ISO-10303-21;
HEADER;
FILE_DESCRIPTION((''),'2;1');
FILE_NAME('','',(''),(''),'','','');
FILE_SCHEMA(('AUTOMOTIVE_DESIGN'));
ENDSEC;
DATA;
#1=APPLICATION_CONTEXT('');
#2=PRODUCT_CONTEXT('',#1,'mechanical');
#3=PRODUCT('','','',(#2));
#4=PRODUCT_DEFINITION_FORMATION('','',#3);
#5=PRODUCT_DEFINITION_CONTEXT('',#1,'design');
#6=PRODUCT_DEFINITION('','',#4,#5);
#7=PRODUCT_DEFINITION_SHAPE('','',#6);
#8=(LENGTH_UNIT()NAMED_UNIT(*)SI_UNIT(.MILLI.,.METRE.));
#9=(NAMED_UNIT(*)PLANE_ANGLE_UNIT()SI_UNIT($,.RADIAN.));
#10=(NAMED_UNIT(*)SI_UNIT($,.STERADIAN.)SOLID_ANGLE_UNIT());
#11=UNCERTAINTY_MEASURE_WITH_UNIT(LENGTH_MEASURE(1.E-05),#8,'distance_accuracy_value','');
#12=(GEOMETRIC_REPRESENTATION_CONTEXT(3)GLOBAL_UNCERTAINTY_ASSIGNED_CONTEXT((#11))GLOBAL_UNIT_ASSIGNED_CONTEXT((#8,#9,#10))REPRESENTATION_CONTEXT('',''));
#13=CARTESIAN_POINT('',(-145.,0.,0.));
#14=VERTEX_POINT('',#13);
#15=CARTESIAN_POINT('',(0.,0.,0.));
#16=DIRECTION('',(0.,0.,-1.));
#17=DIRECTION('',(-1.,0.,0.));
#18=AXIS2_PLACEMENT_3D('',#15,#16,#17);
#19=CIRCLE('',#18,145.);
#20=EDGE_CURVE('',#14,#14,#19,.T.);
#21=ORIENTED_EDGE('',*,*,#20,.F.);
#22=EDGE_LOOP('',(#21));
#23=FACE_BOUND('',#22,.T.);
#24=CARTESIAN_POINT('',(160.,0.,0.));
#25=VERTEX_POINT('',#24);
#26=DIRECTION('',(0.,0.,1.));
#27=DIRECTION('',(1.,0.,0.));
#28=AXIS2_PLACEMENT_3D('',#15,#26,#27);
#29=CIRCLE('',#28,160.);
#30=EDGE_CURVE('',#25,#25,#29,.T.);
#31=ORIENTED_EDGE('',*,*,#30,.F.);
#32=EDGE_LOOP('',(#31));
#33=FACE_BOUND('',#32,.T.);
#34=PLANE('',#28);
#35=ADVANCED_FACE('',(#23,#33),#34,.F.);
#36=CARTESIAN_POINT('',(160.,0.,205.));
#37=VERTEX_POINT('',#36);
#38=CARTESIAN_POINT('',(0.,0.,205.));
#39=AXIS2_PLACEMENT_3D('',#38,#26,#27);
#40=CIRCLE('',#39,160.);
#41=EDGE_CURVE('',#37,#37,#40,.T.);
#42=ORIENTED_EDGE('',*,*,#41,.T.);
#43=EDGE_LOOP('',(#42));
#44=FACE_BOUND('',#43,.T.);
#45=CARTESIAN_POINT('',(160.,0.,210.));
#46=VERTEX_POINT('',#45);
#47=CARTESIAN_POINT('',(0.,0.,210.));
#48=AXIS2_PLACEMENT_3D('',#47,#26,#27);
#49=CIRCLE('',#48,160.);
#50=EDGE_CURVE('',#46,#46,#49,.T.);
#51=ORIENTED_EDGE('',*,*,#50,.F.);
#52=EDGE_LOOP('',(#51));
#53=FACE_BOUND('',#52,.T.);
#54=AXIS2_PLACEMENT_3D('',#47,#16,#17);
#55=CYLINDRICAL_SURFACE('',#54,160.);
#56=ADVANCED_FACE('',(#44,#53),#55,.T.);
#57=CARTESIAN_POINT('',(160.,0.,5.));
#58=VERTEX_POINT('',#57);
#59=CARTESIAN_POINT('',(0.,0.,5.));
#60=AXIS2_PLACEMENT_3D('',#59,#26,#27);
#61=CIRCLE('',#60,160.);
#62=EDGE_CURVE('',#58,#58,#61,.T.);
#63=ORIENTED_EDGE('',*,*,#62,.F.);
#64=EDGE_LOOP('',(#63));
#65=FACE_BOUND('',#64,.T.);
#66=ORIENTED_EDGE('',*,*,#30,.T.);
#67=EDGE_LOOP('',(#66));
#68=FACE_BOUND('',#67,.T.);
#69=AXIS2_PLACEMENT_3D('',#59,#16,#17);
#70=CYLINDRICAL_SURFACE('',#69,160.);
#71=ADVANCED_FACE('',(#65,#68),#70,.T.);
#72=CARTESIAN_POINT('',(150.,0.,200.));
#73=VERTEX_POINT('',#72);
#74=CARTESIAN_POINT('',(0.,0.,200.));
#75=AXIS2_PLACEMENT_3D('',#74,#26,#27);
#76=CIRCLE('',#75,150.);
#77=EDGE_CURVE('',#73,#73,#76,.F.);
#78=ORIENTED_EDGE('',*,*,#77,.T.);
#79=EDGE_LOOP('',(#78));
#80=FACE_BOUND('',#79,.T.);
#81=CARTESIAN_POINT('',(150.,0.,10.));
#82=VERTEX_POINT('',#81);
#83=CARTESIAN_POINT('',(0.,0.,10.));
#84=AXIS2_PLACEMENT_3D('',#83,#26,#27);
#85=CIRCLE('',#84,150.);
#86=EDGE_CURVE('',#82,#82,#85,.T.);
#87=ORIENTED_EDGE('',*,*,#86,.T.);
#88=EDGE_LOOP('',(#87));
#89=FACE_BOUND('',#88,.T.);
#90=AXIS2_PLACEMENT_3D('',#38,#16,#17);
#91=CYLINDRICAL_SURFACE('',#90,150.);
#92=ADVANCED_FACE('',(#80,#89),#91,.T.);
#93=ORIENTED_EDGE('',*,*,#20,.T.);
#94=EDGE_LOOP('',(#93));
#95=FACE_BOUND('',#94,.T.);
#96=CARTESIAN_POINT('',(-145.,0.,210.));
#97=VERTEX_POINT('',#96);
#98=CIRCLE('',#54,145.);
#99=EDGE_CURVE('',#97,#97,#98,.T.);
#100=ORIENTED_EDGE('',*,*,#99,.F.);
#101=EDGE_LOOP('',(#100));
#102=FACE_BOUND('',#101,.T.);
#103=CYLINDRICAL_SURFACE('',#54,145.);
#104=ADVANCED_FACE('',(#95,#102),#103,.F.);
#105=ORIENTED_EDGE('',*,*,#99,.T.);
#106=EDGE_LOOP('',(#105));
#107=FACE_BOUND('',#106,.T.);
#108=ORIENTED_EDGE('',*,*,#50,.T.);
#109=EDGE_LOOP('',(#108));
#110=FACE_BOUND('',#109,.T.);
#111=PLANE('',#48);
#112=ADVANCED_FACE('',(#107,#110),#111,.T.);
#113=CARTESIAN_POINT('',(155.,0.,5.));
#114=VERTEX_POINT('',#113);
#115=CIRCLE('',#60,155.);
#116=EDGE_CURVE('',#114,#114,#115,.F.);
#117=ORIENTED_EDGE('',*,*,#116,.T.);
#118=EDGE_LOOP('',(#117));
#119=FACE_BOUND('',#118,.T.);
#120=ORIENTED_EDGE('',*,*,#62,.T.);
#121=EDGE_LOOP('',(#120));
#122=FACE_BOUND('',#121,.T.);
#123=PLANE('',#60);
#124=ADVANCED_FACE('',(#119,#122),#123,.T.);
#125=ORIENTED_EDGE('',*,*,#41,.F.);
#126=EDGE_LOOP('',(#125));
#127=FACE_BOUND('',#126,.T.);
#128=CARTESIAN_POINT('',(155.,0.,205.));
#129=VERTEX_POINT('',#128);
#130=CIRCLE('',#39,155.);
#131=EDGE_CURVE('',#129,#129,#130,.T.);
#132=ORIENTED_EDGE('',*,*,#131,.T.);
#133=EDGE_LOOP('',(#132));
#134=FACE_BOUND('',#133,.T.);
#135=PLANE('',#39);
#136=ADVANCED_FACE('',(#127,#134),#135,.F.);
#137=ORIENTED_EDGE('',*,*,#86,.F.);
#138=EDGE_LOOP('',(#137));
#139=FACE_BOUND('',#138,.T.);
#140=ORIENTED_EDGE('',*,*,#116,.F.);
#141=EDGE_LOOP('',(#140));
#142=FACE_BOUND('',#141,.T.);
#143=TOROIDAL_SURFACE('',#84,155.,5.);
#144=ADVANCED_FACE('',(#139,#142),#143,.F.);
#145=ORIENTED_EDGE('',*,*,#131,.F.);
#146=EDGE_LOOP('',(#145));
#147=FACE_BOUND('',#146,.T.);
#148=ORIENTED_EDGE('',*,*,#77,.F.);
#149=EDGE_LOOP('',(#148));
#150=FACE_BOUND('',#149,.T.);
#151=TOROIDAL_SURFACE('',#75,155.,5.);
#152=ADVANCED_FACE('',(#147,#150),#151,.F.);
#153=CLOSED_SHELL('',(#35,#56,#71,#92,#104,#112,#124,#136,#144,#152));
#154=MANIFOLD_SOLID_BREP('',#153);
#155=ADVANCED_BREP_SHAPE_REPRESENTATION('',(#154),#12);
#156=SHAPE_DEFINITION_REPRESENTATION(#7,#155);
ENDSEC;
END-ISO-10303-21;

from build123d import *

# Parameters (mm, degrees)
IZIM1_R                     = 160
Y_KSEKLIK_EKSTR_ZYON1_DEPTH = 5
IZIM2_R                     = 150
Y_KSEKLIK_EKSTR_ZYON2_DEPTH = 200
IZIM3_R                     = 160
Y_KSEKLIK_EKSTR_ZYON3_DEPTH = 5
IZIM4_R                     = 145
KES_EKSTR_ZYON1_DEPTH       = 210
RADYUS1_R                   = 5


with BuildPart() as part:
    # Çizim1 → Yükseklik-Ekstrüzyon1 (new body)
    with BuildSketch(Plane.XY):
        Circle(IZIM1_R)
    extrude(amount=Y_KSEKLIK_EKSTR_ZYON1_DEPTH)

    # Çizim2 → Yükseklik-Ekstrüzyon2 (add)
    with BuildSketch(Plane.XY.offset(5)):
        Circle(IZIM2_R)
    extrude(amount=Y_KSEKLIK_EKSTR_ZYON2_DEPTH)

    # Çizim3 → Yükseklik-Ekstrüzyon3 (add)
    with BuildSketch(Plane.XY.offset(205)):
        Circle(IZIM3_R)
    extrude(amount=Y_KSEKLIK_EKSTR_ZYON3_DEPTH)

    # Çizim4 → Kes-Ekstrüzyon1 (cut)
    with BuildSketch(Plane(origin=(0, 0, 0), x_dir=(-1, 0, 0), z_dir=(0, 0, -1))):
        Circle(IZIM4_R)
    extrude(amount=-KES_EKSTR_ZYON1_DEPTH, mode=Mode.SUBTRACT)

    # Radyus1
    radyus1_edges = [part.edges().sort_by_distance(p)[0] for p in [
        (-150, 0, 5),
        (-150, 0, 205),
    ]]
    fillet(radyus1_edges, radius=RADYUS1_R)


solid = part.part
